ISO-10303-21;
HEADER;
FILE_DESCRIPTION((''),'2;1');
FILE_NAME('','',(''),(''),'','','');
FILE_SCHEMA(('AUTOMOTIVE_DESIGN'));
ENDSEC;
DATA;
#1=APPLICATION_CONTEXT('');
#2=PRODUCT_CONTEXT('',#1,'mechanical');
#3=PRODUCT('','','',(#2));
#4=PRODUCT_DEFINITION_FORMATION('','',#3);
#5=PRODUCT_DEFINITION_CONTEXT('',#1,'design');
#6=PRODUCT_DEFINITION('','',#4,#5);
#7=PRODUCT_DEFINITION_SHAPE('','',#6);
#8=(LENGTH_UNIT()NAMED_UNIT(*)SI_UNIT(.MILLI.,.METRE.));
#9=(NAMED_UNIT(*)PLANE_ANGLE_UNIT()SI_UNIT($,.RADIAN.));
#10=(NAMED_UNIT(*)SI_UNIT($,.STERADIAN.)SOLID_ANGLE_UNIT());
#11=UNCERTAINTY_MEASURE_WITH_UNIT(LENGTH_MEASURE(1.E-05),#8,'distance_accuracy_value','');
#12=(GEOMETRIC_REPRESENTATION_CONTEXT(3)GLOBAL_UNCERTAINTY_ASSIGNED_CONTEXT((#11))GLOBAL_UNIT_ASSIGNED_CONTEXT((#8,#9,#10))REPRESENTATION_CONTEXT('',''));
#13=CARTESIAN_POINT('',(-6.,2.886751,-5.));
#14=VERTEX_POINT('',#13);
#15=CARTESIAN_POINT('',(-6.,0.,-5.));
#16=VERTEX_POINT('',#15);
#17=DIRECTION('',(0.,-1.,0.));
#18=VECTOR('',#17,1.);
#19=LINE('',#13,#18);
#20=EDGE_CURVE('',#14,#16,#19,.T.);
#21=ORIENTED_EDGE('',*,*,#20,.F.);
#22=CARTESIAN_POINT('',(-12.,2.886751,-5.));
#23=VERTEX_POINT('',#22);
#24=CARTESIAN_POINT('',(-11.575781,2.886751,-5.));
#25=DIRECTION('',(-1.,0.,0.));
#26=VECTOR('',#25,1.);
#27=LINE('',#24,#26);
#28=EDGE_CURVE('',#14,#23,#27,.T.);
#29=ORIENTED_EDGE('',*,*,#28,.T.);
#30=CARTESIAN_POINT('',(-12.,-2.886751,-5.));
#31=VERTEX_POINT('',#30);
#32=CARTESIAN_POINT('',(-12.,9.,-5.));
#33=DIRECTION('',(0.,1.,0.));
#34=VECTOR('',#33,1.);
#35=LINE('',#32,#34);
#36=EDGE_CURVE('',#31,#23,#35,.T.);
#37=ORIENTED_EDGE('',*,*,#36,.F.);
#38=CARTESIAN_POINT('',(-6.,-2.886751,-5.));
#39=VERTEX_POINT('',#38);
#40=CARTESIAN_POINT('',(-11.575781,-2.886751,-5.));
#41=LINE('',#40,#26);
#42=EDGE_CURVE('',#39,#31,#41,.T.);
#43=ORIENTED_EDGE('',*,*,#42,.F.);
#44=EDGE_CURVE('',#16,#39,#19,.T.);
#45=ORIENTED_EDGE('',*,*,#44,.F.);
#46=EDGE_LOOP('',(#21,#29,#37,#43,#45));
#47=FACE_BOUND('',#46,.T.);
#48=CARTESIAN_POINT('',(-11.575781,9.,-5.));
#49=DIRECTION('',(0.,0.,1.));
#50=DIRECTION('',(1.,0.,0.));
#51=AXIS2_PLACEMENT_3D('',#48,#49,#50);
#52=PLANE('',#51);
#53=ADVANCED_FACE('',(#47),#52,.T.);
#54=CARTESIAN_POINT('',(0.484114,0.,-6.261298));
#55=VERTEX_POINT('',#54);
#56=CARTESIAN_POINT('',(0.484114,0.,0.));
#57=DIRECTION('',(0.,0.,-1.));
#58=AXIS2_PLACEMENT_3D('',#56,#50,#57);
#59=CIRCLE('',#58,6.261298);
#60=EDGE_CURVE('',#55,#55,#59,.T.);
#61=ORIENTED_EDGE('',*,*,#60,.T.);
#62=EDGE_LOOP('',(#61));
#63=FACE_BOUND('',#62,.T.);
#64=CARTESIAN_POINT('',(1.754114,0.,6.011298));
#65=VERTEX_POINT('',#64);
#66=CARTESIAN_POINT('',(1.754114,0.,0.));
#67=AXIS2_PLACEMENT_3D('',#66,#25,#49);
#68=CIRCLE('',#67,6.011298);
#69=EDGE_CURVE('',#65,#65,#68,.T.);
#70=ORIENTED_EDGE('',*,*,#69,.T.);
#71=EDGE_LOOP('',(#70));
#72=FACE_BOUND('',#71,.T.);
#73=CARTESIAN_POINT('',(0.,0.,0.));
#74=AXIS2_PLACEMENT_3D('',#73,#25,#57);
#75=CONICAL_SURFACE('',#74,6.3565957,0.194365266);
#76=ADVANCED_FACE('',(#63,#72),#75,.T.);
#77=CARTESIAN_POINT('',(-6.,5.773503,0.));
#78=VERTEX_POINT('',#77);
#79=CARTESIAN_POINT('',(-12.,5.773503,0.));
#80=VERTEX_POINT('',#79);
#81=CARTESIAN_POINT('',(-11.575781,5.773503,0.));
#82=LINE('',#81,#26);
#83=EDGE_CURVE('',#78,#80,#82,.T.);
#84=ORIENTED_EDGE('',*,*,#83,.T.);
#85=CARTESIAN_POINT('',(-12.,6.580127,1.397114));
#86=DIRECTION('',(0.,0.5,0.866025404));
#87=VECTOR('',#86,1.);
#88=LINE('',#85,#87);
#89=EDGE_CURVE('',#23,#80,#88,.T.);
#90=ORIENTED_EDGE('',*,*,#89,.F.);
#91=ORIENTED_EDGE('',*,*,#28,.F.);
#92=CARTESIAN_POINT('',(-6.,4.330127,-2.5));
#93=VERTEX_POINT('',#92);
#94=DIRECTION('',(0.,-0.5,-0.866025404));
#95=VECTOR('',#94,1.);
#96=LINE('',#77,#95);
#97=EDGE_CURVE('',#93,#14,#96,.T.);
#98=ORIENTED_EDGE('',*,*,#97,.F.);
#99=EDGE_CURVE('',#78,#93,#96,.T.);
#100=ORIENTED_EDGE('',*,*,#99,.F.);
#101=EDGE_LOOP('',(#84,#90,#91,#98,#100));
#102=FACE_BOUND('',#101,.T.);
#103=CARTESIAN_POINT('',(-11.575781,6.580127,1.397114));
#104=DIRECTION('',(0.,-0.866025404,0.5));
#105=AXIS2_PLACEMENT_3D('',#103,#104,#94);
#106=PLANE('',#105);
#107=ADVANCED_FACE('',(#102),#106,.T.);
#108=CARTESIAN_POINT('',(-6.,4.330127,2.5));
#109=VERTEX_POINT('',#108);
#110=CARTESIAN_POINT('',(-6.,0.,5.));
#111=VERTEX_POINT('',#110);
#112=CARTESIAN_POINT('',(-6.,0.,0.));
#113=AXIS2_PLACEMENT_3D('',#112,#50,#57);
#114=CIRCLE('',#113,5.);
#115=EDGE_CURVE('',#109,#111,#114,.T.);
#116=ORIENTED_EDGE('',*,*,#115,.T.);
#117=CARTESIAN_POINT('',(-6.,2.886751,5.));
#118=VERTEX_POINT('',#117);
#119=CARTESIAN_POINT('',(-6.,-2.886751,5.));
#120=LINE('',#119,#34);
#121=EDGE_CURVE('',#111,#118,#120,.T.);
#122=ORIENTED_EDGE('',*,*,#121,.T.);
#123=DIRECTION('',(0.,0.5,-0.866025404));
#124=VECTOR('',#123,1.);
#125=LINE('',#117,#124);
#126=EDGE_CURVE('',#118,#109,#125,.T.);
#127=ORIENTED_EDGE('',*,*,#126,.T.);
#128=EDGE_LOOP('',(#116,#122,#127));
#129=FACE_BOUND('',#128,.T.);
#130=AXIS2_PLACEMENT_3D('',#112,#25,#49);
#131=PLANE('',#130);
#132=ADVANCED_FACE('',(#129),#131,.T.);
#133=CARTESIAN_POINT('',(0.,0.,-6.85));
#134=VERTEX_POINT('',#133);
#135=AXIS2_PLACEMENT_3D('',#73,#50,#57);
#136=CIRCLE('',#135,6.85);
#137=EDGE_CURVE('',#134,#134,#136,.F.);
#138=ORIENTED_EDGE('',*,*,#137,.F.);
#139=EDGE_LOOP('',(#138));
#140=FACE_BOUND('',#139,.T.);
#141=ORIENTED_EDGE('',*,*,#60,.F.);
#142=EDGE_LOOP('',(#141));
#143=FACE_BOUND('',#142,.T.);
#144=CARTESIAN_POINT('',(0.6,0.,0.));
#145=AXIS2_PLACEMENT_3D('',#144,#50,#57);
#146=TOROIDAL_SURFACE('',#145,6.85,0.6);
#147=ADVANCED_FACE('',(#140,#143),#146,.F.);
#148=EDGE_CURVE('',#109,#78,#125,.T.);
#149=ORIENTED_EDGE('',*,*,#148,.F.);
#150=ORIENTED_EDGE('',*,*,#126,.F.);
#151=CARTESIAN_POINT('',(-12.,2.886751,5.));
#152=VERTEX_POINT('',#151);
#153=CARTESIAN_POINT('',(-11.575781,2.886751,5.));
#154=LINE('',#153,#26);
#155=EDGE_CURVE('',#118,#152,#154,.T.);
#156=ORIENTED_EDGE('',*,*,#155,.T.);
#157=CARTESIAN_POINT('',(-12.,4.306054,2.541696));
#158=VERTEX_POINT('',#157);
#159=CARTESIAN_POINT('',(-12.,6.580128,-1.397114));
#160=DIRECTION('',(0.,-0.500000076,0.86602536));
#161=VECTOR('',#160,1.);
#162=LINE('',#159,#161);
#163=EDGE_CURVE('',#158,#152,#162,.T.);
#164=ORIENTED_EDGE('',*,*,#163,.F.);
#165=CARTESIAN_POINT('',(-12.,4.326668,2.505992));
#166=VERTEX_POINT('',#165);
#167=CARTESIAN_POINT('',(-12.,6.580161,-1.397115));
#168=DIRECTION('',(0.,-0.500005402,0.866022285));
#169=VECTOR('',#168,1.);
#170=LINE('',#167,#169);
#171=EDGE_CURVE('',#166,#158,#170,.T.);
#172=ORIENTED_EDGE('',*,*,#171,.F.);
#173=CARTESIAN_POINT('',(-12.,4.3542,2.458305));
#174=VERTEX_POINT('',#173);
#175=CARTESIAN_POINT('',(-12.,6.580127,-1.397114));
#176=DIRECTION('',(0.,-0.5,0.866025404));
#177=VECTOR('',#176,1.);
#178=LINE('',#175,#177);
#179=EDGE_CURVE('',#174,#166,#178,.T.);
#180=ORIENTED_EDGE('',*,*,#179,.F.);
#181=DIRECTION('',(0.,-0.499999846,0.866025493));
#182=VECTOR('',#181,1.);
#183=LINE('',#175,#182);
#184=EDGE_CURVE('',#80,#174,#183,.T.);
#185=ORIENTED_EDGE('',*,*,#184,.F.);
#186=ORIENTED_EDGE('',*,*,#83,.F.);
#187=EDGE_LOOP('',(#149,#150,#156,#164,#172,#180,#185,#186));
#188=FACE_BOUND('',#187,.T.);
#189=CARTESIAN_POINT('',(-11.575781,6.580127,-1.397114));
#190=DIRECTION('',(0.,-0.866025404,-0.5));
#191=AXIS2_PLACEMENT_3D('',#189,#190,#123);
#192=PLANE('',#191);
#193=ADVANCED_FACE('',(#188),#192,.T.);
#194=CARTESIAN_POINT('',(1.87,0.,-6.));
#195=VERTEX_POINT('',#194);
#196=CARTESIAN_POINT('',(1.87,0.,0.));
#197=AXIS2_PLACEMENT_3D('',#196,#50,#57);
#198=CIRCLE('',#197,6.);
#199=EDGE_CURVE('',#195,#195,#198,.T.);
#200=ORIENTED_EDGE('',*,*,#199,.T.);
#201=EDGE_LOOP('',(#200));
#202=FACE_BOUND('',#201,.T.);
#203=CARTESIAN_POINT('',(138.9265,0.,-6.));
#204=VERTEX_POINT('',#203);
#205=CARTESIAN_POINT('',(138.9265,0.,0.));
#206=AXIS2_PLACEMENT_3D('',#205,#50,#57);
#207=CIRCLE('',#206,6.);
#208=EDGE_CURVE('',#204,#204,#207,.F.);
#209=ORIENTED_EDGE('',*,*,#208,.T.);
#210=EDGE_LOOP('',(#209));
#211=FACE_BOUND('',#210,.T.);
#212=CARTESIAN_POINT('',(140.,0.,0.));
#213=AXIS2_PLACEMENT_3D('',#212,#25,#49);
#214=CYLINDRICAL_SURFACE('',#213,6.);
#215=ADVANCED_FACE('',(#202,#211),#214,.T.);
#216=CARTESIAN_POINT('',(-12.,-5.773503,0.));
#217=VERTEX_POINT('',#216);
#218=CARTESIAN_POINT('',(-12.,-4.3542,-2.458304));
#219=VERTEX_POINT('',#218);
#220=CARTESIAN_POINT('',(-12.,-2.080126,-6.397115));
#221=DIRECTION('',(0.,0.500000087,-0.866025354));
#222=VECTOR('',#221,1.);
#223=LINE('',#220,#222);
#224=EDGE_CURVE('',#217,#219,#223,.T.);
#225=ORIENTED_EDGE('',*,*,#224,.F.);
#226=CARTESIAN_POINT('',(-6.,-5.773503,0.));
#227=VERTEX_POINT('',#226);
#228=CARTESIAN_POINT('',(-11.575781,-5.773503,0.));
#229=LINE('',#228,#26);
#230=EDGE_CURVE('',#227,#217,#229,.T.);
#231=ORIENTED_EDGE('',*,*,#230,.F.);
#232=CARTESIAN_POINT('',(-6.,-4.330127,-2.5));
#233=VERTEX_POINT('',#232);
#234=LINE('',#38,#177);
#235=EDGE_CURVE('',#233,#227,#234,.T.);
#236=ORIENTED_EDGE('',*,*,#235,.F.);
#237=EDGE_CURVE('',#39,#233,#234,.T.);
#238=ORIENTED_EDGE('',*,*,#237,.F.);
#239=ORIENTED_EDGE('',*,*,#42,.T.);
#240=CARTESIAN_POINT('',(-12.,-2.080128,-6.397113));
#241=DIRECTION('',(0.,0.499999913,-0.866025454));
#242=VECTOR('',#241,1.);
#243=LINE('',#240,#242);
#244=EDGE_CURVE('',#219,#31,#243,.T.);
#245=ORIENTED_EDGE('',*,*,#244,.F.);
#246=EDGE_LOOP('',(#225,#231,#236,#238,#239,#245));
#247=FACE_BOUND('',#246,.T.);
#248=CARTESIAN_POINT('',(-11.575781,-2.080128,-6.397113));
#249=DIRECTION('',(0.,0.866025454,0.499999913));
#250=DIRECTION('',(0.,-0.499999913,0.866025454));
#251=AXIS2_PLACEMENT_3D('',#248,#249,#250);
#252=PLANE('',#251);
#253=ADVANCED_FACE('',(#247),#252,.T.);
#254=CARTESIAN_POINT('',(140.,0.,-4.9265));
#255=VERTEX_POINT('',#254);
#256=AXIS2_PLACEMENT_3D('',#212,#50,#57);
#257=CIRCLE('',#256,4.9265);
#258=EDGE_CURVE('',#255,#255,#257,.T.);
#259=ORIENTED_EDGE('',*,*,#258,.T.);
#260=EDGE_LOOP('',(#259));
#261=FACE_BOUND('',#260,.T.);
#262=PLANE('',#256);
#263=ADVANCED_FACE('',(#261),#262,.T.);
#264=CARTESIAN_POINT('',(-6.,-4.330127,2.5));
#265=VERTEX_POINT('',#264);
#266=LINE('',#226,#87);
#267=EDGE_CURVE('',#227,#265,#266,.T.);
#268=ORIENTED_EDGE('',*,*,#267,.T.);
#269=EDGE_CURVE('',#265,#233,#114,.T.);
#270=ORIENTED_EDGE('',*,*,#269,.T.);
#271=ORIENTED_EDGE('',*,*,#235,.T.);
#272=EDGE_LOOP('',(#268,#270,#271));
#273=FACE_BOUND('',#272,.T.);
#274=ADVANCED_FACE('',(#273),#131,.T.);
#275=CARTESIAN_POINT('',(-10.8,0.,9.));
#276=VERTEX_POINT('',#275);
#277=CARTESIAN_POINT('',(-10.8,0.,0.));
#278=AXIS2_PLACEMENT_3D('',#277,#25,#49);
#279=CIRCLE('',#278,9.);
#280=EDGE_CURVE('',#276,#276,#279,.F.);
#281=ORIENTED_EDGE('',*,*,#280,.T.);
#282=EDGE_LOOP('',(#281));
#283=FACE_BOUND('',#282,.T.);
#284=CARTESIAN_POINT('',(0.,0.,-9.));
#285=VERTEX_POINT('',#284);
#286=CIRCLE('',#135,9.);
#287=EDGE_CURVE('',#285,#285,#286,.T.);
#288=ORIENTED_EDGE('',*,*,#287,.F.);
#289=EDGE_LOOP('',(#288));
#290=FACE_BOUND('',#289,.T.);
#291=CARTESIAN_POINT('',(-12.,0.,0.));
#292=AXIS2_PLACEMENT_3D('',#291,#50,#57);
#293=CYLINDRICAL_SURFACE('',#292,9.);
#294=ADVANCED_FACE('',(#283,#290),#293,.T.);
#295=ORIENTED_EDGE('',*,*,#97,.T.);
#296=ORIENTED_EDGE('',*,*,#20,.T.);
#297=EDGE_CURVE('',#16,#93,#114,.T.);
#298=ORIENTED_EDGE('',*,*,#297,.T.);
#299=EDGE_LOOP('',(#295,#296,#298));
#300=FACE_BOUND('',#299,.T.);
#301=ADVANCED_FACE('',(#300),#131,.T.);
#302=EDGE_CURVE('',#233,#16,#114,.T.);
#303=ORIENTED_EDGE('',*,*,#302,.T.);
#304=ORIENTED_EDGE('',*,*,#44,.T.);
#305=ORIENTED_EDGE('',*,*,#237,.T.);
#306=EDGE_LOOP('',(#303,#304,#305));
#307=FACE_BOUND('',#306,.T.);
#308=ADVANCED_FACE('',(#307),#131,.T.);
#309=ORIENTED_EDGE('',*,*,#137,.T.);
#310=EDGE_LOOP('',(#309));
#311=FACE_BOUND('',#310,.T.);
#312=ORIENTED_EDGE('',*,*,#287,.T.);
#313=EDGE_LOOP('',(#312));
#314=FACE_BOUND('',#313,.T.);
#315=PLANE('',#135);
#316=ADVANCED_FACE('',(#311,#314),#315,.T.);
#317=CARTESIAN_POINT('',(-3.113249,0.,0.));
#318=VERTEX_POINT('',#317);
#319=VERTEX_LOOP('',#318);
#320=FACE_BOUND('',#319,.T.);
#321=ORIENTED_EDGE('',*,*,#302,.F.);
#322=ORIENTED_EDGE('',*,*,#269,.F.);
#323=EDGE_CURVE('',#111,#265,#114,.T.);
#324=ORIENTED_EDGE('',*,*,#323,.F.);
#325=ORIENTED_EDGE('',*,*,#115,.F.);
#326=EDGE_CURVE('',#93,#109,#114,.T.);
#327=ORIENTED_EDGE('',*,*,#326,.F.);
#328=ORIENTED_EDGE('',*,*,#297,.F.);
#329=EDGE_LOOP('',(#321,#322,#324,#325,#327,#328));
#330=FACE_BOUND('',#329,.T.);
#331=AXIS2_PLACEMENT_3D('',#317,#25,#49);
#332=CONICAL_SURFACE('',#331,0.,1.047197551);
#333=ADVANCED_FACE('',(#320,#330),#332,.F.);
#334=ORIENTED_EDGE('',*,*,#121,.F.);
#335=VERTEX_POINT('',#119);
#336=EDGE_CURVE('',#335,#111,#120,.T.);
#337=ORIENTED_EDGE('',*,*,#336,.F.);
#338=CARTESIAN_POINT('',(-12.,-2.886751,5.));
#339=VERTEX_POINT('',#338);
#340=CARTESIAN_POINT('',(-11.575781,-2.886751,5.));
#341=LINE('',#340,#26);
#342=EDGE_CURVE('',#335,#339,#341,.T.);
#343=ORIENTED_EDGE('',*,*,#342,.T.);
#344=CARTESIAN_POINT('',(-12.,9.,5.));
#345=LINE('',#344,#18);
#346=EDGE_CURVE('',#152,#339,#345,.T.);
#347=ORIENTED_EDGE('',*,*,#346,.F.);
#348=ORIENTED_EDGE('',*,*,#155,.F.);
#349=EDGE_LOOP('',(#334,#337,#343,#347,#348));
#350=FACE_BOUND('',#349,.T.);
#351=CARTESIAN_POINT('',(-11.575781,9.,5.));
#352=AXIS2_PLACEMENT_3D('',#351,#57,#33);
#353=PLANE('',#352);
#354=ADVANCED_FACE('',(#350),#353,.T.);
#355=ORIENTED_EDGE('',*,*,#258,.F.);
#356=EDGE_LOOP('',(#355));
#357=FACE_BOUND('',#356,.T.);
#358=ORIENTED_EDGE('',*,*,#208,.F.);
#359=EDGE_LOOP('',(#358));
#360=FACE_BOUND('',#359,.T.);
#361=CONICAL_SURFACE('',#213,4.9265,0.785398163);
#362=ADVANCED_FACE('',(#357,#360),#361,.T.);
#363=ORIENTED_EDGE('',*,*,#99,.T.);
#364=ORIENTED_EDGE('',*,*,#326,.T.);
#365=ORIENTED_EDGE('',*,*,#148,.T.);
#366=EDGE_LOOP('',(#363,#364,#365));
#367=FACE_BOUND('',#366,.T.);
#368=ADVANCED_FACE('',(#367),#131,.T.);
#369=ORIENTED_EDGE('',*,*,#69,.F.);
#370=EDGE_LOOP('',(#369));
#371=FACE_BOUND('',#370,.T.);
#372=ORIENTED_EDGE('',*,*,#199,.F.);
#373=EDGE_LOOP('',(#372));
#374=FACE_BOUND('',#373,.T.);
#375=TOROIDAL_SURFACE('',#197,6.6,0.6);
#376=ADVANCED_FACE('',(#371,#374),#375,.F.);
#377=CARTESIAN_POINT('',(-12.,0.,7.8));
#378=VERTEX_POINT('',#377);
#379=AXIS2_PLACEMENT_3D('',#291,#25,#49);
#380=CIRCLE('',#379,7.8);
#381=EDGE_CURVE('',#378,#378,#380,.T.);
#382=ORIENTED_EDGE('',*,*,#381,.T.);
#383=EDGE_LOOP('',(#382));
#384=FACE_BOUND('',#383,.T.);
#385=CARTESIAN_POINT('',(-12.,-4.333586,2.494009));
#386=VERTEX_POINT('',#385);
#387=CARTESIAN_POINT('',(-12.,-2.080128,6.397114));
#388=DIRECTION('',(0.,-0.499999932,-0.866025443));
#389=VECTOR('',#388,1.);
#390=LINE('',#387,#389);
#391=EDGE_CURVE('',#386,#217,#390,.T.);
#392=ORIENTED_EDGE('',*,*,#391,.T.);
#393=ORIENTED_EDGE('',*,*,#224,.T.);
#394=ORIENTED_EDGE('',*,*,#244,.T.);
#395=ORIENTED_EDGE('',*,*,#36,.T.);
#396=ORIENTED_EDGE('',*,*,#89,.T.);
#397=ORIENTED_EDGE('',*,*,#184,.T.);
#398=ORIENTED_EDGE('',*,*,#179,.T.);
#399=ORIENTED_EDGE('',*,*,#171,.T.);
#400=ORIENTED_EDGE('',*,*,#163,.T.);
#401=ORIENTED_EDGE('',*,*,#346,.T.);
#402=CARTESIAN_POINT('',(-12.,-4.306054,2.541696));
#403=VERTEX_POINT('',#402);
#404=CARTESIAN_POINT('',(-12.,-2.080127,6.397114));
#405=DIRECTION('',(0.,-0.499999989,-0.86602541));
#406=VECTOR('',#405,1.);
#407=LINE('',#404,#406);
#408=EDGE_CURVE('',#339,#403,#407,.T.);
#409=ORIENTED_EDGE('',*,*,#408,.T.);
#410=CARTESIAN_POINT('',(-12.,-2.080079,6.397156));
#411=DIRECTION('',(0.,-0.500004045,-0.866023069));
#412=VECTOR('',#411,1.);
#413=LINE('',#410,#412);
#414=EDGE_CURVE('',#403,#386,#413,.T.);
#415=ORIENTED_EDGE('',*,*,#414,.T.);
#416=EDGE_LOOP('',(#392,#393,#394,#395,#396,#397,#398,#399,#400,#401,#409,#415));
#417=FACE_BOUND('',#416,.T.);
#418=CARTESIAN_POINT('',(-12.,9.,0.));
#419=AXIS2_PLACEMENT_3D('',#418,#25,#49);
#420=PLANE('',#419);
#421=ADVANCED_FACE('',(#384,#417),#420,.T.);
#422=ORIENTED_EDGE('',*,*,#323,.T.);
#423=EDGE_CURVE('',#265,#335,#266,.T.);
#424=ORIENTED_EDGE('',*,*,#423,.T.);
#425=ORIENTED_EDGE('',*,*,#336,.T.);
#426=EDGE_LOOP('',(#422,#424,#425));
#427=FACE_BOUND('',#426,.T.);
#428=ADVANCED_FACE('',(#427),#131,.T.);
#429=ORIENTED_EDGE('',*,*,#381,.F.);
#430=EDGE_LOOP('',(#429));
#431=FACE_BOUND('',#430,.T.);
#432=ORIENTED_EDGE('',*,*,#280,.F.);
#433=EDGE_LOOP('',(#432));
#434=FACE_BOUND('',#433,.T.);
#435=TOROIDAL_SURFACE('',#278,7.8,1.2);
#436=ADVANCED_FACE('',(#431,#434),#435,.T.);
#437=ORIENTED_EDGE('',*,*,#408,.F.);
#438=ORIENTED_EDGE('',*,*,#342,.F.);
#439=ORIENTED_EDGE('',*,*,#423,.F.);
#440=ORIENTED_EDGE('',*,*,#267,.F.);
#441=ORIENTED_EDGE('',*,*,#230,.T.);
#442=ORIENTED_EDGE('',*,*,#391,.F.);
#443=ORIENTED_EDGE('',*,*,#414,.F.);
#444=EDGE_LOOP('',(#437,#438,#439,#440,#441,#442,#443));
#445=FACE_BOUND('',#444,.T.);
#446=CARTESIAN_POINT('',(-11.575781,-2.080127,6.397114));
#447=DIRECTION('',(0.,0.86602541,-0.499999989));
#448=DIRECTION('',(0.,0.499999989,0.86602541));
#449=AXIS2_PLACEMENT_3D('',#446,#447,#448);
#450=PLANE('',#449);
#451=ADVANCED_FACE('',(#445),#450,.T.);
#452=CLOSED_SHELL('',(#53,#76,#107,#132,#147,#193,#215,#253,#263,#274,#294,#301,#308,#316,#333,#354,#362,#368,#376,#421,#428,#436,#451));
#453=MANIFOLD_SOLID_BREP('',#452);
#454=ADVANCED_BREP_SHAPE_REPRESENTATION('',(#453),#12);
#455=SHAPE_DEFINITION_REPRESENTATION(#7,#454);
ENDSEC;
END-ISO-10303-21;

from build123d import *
from build123d.topology import SkipClean

# Parameters (mm, degrees)
SKETCH1_W           = 12
SKETCH1_H           = 9
CUT_EXTRUDE1_START  = 1.272656
CUT_EXTRUDE1_DEPTH  = 0.424218618
CUT_EXTRUDE2_DEPTH  = 5.575781382
SKETCH4_R           = 6.3565957
BOSS_EXTRUDE1_DEPTH = 1.811506156
BOSS_EXTRUDE1_TAPER = 11.136309431
SKETCH5_R           = 6
BOSS_EXTRUDE2_DEPTH = 138.188493844
CHAMFER1_SIZE       = 1.0735
FILLET1_R           = 0.6
FILLET2_R           = 1.2


with BuildPart() as part:
    # Sketch1 → Revolve1 (revolve)
    with BuildSketch(Plane.XY, mode=Mode.PRIVATE) as revolve1_sk:
        with Locations((-6, 4.5)):
            Rectangle(SKETCH1_W, SKETCH1_H)
    revolve(revolve1_sk.sketch.rotate(Axis((-12, 0, 0), (1, 0, 0)), 270), axis=Axis((-12, 0, 0), (1, 0, 0)))

    # Sketch2 → Cut-Extrude1 (cut)
    with BuildSketch(Plane.ZY.offset(10.727344145).offset(CUT_EXTRUDE1_START)):
        Polygon((-2.541695199, 4.306054284), (-2.494007969, 4.33358652), (-2.458304232, 4.354200082), (0, 5.773502692), (2.458305244, 4.354200082), (2.505992237, 4.326667984), (2.541695697, 4.306054284), (5, 2.886751346), (5, 0.048145191), (5, -0.00115583), (5, -0.048145419), (5, -2.886751346), (2.541695697, -4.306053956), (2.494008981, -4.333586191), (2.458305244, -4.354199753), (0, -5.773502692), (-2.458304232, -4.354199753), (-2.505991462, -4.326667518), (-2.541695199, -4.306053956), (-5, -2.886751346), (-5, -0.048145419), (-5, -0.00115583), (-5, 0.048145191), (-5, 2.886751346), align=None)
    extrude(amount=-CUT_EXTRUDE1_DEPTH, mode=Mode.SUBTRACT)

    # Sketch3 → Cut-Extrude2 (cut)
    with SkipClean():  # the faces are left unmerged after this step: merging them gives an invalid solid
        with BuildSketch(Plane.ZY.offset(11.575781382)):
            Polygon((0, 5.773502692), (-5, 2.886751346), (-5, -2.886751346), (0, -5.773502692), (5, -2.886751346), (5, 2.886751346), align=None)
        extrude(amount=-CUT_EXTRUDE2_DEPTH, mode=Mode.SUBTRACT)

    # Sketch4 → Boss-Extrude1 (add)
    with SkipClean():  # the faces are left unmerged after this step: merging them gives an invalid solid
        with BuildSketch(Plane(origin=(0, 0, 0), x_dir=(0, 0, -1), z_dir=(1, 0, 0))):
            Circle(SKETCH4_R)
        extrude(amount=BOSS_EXTRUDE1_DEPTH, taper=BOSS_EXTRUDE1_TAPER)

    # Sketch5 → Boss-Extrude2 (add)
    with SkipClean():  # the faces are left unmerged after this step: merging them gives an invalid solid
        with BuildSketch(Plane(origin=(1.811506156, 0, 0), x_dir=(0, 0, -1), z_dir=(1, 0, 0))):
            Circle(SKETCH5_R)
        extrude(amount=BOSS_EXTRUDE2_DEPTH)

    # Sketch6 → Cut-Revolve1 (revolve, cut)
    with SkipClean():  # the faces are left unmerged after this step: merging them gives an invalid solid
        with BuildSketch(Plane.XY, mode=Mode.PRIVATE) as cut_revolve1_sk:
            Polygon((-6, 5), (-6, 0), (-3.113248654, 0), align=None)
        revolve(cut_revolve1_sk.sketch.rotate(Axis((-6, 0, 0), (1, 0, 0)), 90), axis=Axis((-6, 0, 0), (1, 0, 0)), mode=Mode.SUBTRACT)

    # Chamfer1
    chamfer1_edges = [part.edges().sort_by_distance(p)[0] for p in [
        (140, 0, 6),
    ]]
    chamfer(chamfer1_edges, length=CHAMFER1_SIZE)

    # Fillet1
    fillet1_edges = [part.edges().sort_by_distance(p)[0] for p in [
        (0, 0, 6.3565957),
        (1.811506156, 0, 6),
    ]]
    fillet(fillet1_edges, radius=FILLET1_R)

    # Fillet2
    fillet2_edges = [part.edges().sort_by_distance(p)[0] for p in [
        (-12, 0, 9),
    ]]
    fillet(fillet2_edges, radius=FILLET2_R)


solid = part.part
